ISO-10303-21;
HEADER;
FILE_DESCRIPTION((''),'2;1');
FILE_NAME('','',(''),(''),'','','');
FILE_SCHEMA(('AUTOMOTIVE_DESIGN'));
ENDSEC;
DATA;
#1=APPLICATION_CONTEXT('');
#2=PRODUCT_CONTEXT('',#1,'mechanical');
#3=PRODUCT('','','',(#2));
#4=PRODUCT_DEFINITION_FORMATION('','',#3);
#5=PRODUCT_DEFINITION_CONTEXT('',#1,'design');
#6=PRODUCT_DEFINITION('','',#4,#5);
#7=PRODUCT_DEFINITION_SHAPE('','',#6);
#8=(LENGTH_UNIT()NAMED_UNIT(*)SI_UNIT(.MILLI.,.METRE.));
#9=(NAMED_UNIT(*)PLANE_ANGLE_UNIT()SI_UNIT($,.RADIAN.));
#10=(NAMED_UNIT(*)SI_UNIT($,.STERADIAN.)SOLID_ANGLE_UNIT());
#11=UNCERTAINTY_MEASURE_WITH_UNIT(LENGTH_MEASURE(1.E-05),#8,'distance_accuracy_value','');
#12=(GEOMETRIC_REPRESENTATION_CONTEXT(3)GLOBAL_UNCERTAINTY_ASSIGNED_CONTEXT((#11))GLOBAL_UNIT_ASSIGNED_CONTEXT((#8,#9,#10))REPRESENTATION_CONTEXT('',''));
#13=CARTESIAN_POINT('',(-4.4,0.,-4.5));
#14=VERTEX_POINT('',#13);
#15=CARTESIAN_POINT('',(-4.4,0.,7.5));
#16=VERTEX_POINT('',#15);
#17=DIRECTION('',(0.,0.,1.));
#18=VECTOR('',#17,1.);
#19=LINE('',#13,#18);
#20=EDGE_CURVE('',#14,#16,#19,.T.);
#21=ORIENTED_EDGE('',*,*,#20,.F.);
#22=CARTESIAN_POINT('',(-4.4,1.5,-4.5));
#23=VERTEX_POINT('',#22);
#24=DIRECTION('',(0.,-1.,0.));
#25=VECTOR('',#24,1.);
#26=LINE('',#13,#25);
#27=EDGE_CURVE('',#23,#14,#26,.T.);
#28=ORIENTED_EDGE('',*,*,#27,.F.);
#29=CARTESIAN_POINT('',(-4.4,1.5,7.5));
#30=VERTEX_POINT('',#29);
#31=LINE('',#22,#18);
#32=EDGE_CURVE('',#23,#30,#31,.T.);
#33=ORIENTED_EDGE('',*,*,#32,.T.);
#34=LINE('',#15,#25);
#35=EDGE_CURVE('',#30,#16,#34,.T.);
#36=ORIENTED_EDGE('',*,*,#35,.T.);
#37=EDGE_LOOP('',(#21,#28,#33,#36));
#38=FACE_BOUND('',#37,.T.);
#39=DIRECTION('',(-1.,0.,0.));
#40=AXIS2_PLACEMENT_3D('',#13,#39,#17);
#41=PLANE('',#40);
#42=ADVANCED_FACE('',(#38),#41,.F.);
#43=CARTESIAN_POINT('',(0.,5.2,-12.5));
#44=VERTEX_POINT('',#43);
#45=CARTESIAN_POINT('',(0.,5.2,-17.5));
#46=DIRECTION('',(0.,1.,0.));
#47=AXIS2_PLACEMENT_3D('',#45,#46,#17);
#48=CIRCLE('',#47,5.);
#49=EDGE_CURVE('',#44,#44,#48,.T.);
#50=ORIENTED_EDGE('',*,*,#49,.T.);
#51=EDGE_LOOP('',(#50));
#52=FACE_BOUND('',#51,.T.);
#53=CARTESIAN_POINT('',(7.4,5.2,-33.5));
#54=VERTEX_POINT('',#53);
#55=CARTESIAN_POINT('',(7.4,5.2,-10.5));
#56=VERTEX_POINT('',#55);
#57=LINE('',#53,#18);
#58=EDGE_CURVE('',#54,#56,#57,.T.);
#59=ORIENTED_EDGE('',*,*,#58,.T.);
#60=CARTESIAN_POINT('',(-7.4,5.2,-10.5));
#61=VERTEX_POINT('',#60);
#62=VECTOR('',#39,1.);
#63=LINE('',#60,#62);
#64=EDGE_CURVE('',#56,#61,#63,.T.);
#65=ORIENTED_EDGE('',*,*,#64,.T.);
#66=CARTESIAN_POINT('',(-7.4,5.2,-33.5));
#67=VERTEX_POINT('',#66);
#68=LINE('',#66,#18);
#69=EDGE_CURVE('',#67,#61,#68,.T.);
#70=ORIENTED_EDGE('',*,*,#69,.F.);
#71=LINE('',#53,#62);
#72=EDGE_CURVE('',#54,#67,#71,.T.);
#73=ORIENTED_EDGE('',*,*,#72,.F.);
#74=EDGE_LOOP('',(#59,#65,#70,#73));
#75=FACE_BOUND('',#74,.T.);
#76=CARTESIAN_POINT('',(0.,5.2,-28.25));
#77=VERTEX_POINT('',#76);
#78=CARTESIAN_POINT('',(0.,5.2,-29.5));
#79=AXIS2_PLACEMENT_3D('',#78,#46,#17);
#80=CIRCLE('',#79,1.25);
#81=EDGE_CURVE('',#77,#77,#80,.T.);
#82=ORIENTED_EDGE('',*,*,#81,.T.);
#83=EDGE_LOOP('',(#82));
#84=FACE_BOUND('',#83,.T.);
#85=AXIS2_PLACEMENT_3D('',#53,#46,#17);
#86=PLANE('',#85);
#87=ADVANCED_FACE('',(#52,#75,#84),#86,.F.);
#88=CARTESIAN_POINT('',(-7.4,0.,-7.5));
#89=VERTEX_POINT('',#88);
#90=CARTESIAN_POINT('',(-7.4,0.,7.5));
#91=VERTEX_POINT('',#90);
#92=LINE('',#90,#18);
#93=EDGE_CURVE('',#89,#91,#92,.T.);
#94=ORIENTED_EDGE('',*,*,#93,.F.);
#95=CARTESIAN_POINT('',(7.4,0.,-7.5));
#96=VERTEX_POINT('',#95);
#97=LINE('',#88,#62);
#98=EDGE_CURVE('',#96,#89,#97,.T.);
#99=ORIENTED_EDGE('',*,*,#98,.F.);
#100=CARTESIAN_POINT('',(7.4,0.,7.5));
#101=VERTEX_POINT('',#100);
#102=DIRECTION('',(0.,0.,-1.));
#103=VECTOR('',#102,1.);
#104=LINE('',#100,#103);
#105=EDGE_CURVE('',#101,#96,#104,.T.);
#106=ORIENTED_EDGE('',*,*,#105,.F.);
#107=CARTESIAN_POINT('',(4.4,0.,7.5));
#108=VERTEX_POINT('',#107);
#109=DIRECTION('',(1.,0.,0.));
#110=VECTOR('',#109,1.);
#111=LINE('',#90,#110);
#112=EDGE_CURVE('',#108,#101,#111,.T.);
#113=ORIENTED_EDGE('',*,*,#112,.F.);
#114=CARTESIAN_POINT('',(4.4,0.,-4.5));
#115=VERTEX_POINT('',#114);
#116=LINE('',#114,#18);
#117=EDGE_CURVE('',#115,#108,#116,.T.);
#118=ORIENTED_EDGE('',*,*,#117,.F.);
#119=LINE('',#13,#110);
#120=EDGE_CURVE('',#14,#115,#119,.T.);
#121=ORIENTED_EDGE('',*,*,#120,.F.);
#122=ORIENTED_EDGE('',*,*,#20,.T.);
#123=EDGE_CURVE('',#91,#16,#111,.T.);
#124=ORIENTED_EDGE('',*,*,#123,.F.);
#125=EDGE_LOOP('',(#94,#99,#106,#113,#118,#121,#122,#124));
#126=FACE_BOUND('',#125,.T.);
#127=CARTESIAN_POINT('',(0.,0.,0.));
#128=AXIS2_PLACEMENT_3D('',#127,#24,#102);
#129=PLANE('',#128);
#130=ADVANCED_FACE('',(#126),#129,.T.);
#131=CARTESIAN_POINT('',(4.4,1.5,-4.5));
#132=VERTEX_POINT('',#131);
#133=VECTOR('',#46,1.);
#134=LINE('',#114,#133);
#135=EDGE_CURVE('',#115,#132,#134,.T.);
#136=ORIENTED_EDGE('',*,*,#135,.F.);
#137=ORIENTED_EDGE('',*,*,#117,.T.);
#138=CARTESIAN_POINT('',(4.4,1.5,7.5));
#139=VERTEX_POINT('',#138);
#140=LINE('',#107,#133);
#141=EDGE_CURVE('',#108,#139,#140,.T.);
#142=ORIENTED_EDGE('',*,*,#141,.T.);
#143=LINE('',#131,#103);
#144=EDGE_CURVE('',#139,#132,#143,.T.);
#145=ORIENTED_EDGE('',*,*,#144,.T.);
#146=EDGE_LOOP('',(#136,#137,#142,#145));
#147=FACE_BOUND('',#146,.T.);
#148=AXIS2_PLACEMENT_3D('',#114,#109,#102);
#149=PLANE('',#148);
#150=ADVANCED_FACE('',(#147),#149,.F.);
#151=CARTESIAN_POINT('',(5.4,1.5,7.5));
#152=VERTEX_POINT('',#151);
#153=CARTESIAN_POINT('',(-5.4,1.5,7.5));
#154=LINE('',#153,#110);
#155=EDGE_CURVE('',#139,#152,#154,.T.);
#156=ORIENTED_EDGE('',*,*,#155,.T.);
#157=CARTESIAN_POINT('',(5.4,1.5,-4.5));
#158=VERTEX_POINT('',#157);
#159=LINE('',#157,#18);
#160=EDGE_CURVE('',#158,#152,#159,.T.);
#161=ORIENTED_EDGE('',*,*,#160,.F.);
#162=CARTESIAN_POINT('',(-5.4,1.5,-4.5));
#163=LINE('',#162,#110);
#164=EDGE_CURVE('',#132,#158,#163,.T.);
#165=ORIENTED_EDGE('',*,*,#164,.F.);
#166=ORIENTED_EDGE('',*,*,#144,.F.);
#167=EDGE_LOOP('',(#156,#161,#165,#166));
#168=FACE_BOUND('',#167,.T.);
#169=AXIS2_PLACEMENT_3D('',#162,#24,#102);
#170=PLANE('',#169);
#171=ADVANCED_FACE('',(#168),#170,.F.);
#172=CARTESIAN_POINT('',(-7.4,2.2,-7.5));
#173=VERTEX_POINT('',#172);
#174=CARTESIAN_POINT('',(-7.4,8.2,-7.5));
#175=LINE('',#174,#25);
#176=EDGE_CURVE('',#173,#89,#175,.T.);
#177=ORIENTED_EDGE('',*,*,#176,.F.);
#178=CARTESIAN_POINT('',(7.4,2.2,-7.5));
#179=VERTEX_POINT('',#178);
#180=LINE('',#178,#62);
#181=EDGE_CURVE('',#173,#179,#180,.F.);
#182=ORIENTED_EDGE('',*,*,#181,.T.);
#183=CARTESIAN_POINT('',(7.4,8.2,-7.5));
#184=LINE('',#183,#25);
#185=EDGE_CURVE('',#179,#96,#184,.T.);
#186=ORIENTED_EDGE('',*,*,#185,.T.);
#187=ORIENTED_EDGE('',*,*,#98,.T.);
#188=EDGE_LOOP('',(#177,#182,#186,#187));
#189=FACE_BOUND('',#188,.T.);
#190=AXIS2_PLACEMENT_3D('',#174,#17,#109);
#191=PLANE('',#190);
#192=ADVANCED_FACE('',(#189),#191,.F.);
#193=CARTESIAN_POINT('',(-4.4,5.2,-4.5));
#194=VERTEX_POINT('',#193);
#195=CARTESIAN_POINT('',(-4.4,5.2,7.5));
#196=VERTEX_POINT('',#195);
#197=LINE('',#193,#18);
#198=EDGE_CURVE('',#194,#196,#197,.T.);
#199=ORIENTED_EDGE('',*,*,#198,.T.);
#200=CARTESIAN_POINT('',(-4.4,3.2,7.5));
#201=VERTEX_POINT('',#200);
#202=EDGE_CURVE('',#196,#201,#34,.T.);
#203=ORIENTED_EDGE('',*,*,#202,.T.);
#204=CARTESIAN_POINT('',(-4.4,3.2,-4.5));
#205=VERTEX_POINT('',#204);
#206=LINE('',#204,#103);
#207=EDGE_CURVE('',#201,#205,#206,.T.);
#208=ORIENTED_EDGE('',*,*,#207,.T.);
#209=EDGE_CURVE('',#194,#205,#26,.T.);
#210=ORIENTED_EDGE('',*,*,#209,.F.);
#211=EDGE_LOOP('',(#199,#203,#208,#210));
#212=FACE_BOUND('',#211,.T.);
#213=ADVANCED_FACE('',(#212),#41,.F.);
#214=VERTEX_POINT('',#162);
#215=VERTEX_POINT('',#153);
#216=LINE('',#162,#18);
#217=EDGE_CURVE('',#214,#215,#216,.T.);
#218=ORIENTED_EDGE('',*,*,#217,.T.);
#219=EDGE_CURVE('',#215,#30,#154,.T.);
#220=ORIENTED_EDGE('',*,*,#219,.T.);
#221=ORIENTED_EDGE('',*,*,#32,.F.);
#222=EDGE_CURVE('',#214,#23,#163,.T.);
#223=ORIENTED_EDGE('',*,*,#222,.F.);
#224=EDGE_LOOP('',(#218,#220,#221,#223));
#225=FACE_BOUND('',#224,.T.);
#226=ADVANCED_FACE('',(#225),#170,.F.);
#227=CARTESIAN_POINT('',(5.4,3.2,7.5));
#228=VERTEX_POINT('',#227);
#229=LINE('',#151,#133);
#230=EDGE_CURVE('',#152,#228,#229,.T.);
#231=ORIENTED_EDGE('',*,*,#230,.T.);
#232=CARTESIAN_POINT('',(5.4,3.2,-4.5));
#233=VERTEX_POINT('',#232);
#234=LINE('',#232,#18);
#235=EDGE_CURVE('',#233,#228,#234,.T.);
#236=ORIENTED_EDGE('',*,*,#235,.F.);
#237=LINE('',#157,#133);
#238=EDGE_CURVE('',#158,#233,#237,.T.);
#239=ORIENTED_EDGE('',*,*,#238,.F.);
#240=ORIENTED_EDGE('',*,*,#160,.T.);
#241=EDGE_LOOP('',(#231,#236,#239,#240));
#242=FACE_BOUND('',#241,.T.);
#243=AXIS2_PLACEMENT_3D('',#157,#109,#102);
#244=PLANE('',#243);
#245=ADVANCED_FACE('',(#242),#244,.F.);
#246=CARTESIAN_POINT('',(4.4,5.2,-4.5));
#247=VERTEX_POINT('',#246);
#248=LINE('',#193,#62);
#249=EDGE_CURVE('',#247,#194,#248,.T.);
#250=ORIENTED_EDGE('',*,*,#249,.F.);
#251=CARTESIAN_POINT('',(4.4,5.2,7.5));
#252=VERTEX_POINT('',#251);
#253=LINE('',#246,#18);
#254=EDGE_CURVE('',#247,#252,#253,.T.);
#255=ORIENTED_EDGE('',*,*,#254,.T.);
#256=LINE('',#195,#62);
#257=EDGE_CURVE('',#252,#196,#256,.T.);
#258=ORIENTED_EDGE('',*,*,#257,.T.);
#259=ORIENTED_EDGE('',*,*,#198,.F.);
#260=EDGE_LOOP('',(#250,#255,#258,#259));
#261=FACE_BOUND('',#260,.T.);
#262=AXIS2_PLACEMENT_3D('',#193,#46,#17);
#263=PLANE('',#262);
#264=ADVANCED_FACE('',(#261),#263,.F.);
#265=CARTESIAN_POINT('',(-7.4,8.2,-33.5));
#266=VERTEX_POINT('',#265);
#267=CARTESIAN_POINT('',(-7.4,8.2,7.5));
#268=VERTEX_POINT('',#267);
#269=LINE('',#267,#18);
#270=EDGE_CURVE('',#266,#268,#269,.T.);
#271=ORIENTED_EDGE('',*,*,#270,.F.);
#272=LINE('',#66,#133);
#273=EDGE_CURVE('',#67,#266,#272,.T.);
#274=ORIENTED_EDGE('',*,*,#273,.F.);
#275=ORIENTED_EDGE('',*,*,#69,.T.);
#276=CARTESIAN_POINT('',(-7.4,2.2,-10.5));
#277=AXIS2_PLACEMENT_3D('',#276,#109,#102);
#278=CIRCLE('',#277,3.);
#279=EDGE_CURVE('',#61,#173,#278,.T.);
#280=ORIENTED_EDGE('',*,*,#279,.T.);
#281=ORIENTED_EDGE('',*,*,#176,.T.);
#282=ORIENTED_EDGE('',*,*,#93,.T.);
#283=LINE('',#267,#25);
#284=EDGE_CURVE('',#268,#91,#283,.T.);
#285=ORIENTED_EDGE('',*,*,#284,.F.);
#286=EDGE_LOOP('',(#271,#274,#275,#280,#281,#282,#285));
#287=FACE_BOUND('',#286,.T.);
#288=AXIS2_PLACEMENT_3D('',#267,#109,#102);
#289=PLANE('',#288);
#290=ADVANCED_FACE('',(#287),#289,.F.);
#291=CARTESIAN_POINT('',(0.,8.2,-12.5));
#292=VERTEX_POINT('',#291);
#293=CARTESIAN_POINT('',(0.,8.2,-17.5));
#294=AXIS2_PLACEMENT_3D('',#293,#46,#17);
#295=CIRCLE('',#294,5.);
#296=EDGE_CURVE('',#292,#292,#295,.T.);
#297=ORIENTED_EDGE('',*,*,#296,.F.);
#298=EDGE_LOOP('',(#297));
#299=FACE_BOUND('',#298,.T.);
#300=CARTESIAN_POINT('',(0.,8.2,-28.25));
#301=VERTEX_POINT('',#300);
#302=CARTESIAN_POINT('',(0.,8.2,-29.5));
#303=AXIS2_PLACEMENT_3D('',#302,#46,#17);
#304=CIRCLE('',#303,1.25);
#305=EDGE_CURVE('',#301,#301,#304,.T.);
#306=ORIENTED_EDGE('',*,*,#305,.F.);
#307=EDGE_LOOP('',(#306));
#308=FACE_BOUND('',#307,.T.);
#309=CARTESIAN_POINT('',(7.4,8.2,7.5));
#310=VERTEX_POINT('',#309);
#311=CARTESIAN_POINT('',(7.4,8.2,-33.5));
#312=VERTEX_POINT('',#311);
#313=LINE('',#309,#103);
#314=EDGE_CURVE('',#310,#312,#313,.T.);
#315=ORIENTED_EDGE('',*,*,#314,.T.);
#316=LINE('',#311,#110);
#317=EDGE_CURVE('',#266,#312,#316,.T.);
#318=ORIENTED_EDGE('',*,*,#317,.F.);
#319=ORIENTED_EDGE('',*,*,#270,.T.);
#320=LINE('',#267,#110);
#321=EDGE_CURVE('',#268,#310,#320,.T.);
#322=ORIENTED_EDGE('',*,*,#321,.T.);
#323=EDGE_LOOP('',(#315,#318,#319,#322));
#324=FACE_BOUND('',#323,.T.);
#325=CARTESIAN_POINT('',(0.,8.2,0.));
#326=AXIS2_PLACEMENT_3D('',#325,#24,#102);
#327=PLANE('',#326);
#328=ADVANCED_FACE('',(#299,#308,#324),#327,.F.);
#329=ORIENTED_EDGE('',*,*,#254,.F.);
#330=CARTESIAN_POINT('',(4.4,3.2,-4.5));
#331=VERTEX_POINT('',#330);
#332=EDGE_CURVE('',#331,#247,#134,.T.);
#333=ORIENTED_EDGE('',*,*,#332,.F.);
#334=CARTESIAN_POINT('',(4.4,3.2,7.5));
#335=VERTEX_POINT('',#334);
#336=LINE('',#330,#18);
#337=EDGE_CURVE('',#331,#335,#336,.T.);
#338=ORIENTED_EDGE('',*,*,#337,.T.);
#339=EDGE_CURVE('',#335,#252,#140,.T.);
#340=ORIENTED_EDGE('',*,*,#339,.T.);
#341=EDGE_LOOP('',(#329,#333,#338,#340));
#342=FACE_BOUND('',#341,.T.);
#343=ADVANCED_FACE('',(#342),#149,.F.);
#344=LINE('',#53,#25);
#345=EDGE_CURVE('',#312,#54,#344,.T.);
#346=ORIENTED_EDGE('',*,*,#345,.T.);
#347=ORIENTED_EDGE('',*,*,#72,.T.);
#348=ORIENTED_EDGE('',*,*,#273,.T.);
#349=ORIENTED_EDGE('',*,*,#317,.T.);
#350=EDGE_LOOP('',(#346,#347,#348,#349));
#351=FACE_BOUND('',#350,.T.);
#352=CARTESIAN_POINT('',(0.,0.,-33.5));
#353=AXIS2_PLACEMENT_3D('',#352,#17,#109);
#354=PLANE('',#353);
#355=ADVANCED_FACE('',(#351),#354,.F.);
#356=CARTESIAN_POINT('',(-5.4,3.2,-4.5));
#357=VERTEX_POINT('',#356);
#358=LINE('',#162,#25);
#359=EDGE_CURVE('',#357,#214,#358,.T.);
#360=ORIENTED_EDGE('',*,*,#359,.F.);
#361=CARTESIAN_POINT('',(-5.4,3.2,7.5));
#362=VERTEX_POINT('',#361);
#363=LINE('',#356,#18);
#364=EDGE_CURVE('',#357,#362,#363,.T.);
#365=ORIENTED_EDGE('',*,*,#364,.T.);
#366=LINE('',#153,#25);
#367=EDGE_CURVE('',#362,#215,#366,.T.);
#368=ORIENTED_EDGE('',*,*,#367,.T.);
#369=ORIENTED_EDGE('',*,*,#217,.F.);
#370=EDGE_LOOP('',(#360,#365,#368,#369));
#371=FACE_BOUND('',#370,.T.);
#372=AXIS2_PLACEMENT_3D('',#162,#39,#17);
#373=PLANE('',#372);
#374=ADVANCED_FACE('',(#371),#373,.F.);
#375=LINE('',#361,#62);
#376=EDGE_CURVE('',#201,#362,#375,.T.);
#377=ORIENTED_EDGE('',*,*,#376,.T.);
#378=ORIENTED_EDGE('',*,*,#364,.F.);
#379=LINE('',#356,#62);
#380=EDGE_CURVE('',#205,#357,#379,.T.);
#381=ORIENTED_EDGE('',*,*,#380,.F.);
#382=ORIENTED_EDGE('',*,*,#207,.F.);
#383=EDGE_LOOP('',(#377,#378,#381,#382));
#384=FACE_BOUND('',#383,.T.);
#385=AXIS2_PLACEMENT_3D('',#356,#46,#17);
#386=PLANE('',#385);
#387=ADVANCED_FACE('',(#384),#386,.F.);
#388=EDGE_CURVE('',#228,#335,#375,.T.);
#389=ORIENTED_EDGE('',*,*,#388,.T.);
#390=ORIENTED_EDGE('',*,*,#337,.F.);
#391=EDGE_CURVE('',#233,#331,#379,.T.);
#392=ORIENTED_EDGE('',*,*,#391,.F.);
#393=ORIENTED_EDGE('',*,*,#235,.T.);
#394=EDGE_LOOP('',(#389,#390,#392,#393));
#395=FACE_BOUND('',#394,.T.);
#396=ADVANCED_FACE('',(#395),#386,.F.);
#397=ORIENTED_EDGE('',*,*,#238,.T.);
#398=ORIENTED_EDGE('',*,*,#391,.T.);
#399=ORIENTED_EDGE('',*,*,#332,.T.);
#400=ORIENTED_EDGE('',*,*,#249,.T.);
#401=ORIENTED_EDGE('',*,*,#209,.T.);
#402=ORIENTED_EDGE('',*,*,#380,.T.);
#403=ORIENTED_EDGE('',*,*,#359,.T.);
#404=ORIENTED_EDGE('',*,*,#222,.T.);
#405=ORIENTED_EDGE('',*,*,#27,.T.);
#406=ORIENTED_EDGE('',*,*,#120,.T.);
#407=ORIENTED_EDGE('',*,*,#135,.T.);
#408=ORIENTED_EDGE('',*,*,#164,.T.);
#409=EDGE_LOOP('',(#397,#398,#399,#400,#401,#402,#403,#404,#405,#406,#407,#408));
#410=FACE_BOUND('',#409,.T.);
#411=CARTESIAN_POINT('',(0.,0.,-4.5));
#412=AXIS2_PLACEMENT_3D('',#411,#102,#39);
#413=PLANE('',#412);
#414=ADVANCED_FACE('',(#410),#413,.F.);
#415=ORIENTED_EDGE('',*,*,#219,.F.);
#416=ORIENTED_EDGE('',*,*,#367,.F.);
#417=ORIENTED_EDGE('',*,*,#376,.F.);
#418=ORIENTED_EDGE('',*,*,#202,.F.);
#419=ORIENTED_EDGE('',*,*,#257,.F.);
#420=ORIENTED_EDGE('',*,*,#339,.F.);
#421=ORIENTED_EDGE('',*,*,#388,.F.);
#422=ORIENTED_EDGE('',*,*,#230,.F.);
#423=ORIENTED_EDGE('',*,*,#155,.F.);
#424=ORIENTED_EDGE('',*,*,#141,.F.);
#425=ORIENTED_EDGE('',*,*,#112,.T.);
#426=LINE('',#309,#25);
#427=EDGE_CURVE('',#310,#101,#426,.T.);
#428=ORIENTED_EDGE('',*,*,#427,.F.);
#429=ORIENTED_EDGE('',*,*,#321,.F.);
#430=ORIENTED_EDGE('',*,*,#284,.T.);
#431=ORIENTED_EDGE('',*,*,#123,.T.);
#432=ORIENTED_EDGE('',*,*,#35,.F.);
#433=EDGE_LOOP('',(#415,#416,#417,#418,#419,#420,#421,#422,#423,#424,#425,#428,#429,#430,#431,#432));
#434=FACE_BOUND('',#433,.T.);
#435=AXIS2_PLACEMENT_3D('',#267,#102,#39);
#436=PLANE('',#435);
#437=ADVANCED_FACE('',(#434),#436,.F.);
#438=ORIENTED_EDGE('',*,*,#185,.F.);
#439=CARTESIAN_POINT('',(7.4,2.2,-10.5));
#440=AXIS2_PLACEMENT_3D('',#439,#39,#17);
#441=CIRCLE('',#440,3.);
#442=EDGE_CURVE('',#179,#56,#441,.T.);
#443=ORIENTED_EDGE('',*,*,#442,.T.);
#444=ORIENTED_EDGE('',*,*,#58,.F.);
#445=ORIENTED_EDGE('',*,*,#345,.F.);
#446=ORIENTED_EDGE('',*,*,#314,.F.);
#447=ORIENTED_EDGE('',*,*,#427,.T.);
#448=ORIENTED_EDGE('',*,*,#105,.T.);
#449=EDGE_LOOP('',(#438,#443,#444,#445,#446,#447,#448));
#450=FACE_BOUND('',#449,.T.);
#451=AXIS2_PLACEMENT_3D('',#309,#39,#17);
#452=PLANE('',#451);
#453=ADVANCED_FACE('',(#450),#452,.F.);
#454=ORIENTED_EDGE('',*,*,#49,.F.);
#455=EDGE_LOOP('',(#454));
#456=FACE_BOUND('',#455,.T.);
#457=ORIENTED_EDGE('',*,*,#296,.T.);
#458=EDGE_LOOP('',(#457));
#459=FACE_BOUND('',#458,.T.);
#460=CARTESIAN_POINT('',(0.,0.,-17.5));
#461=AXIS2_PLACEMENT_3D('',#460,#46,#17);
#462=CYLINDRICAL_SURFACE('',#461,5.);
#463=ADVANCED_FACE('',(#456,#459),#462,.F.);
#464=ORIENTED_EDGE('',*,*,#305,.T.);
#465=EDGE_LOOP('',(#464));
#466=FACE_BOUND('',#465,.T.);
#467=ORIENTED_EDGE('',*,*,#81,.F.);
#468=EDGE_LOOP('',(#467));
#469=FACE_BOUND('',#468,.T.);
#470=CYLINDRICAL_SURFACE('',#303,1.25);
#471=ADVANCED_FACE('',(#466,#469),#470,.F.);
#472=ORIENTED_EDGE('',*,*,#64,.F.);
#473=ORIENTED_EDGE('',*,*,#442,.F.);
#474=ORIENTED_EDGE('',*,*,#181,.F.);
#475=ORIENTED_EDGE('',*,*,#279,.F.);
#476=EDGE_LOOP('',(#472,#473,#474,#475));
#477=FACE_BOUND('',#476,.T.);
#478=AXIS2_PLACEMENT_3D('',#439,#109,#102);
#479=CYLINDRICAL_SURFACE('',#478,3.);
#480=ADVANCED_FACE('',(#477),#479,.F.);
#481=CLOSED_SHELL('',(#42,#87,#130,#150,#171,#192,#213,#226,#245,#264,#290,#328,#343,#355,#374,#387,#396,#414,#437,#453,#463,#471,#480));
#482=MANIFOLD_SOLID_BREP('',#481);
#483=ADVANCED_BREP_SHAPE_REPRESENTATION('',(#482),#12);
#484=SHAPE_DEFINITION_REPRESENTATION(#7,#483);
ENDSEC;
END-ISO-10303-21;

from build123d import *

# Parameters (mm, degrees)
SKETCH1_W                 = 14.8
SKETCH1_H                 = 15
BOSS_EXTRUDE1_DEPTH       = 8.2
SKETCH3_W                 = 8.8
SKETCH3_H                 = 5.2
CUT_EXTRUDE1_DEPTH        = 12
SKETCH5_W                 = 10.8
SKETCH5_H                 = 1.7
CUT_EXTRUDE2_DEPTH        = 12
SKETCH6_W                 = 14.8
SKETCH6_H                 = 3
BOSS_EXTRUDE2_DEPTH       = 26
SKETCH7_R                 = 5
CUT_EXTRUDE3_DEPTH        = 36.273928049
M3X0_5_TAPPED_HOLE1_D     = 2.5
M3X0_5_TAPPED_HOLE1_DEPTH = 7.5
M3X0_5_TAPPED_HOLE1_TIP   = 0.751075774
FILLET1_R                 = 3


with BuildPart() as part:
    # Sketch1 → Boss-Extrude1 (new body)
    with BuildSketch(Plane(origin=(0, 0, 0), x_dir=(1, 0, 0), z_dir=(0, 1, 0))):
        Rectangle(SKETCH1_W, SKETCH1_H)
    extrude(amount=BOSS_EXTRUDE1_DEPTH)

    # Sketch3 → Cut-Extrude1 (cut)
    with BuildSketch(Plane.XY.offset(7.5)):
        with Locations((0, 2.6)):
            Rectangle(SKETCH3_W, SKETCH3_H)
    extrude(amount=-CUT_EXTRUDE1_DEPTH, mode=Mode.SUBTRACT)

    # Sketch5 → Cut-Extrude2 (cut)
    with BuildSketch(Plane.XY.offset(7.5)):
        with Locations((0, 2.35)):
            Rectangle(SKETCH5_W, SKETCH5_H)
    extrude(amount=-CUT_EXTRUDE2_DEPTH, mode=Mode.SUBTRACT)

    # Sketch6 → Boss-Extrude2 (add)
    with BuildSketch(Plane(origin=(0, 0, -7.5), x_dir=(-1, 0, 0), z_dir=(0, 0, -1))):
        with Locations((0, 6.7)):
            Rectangle(SKETCH6_W, SKETCH6_H)
    extrude(amount=BOSS_EXTRUDE2_DEPTH)

    # Sketch7 → Cut-Extrude3 (cut, through all)
    with BuildSketch(Plane(origin=(0, 8.2, 0), x_dir=(1, 0, 0), z_dir=(0, 1, 0))):
        with Locations(Location((0, 17.5, 0), (0, 0, 270))):
            Circle(SKETCH7_R)
    extrude(amount=-CUT_EXTRUDE3_DEPTH, mode=Mode.SUBTRACT)

    # M3x0.5 Tapped Hole1
    with Locations(Plane(origin=(0, 8.2, 0), x_dir=(1, 0, 0), z_dir=(0, 1, 0))):
        with Locations((0, 29.5)):
            Hole(M3X0_5_TAPPED_HOLE1_D / 2, depth=M3X0_5_TAPPED_HOLE1_DEPTH)
            with Locations((0, 0, -(M3X0_5_TAPPED_HOLE1_DEPTH + M3X0_5_TAPPED_HOLE1_TIP / 2))):  # 118° drill point
                Cone(0, M3X0_5_TAPPED_HOLE1_D / 2, M3X0_5_TAPPED_HOLE1_TIP, mode=Mode.SUBTRACT)

    # Fillet1
    fillet1_edges = [part.edges().sort_by_distance(p)[0] for p in [
        (0, 5.2, -7.5),
    ]]
    fillet(fillet1_edges, radius=FILLET1_R)


solid = part.part
